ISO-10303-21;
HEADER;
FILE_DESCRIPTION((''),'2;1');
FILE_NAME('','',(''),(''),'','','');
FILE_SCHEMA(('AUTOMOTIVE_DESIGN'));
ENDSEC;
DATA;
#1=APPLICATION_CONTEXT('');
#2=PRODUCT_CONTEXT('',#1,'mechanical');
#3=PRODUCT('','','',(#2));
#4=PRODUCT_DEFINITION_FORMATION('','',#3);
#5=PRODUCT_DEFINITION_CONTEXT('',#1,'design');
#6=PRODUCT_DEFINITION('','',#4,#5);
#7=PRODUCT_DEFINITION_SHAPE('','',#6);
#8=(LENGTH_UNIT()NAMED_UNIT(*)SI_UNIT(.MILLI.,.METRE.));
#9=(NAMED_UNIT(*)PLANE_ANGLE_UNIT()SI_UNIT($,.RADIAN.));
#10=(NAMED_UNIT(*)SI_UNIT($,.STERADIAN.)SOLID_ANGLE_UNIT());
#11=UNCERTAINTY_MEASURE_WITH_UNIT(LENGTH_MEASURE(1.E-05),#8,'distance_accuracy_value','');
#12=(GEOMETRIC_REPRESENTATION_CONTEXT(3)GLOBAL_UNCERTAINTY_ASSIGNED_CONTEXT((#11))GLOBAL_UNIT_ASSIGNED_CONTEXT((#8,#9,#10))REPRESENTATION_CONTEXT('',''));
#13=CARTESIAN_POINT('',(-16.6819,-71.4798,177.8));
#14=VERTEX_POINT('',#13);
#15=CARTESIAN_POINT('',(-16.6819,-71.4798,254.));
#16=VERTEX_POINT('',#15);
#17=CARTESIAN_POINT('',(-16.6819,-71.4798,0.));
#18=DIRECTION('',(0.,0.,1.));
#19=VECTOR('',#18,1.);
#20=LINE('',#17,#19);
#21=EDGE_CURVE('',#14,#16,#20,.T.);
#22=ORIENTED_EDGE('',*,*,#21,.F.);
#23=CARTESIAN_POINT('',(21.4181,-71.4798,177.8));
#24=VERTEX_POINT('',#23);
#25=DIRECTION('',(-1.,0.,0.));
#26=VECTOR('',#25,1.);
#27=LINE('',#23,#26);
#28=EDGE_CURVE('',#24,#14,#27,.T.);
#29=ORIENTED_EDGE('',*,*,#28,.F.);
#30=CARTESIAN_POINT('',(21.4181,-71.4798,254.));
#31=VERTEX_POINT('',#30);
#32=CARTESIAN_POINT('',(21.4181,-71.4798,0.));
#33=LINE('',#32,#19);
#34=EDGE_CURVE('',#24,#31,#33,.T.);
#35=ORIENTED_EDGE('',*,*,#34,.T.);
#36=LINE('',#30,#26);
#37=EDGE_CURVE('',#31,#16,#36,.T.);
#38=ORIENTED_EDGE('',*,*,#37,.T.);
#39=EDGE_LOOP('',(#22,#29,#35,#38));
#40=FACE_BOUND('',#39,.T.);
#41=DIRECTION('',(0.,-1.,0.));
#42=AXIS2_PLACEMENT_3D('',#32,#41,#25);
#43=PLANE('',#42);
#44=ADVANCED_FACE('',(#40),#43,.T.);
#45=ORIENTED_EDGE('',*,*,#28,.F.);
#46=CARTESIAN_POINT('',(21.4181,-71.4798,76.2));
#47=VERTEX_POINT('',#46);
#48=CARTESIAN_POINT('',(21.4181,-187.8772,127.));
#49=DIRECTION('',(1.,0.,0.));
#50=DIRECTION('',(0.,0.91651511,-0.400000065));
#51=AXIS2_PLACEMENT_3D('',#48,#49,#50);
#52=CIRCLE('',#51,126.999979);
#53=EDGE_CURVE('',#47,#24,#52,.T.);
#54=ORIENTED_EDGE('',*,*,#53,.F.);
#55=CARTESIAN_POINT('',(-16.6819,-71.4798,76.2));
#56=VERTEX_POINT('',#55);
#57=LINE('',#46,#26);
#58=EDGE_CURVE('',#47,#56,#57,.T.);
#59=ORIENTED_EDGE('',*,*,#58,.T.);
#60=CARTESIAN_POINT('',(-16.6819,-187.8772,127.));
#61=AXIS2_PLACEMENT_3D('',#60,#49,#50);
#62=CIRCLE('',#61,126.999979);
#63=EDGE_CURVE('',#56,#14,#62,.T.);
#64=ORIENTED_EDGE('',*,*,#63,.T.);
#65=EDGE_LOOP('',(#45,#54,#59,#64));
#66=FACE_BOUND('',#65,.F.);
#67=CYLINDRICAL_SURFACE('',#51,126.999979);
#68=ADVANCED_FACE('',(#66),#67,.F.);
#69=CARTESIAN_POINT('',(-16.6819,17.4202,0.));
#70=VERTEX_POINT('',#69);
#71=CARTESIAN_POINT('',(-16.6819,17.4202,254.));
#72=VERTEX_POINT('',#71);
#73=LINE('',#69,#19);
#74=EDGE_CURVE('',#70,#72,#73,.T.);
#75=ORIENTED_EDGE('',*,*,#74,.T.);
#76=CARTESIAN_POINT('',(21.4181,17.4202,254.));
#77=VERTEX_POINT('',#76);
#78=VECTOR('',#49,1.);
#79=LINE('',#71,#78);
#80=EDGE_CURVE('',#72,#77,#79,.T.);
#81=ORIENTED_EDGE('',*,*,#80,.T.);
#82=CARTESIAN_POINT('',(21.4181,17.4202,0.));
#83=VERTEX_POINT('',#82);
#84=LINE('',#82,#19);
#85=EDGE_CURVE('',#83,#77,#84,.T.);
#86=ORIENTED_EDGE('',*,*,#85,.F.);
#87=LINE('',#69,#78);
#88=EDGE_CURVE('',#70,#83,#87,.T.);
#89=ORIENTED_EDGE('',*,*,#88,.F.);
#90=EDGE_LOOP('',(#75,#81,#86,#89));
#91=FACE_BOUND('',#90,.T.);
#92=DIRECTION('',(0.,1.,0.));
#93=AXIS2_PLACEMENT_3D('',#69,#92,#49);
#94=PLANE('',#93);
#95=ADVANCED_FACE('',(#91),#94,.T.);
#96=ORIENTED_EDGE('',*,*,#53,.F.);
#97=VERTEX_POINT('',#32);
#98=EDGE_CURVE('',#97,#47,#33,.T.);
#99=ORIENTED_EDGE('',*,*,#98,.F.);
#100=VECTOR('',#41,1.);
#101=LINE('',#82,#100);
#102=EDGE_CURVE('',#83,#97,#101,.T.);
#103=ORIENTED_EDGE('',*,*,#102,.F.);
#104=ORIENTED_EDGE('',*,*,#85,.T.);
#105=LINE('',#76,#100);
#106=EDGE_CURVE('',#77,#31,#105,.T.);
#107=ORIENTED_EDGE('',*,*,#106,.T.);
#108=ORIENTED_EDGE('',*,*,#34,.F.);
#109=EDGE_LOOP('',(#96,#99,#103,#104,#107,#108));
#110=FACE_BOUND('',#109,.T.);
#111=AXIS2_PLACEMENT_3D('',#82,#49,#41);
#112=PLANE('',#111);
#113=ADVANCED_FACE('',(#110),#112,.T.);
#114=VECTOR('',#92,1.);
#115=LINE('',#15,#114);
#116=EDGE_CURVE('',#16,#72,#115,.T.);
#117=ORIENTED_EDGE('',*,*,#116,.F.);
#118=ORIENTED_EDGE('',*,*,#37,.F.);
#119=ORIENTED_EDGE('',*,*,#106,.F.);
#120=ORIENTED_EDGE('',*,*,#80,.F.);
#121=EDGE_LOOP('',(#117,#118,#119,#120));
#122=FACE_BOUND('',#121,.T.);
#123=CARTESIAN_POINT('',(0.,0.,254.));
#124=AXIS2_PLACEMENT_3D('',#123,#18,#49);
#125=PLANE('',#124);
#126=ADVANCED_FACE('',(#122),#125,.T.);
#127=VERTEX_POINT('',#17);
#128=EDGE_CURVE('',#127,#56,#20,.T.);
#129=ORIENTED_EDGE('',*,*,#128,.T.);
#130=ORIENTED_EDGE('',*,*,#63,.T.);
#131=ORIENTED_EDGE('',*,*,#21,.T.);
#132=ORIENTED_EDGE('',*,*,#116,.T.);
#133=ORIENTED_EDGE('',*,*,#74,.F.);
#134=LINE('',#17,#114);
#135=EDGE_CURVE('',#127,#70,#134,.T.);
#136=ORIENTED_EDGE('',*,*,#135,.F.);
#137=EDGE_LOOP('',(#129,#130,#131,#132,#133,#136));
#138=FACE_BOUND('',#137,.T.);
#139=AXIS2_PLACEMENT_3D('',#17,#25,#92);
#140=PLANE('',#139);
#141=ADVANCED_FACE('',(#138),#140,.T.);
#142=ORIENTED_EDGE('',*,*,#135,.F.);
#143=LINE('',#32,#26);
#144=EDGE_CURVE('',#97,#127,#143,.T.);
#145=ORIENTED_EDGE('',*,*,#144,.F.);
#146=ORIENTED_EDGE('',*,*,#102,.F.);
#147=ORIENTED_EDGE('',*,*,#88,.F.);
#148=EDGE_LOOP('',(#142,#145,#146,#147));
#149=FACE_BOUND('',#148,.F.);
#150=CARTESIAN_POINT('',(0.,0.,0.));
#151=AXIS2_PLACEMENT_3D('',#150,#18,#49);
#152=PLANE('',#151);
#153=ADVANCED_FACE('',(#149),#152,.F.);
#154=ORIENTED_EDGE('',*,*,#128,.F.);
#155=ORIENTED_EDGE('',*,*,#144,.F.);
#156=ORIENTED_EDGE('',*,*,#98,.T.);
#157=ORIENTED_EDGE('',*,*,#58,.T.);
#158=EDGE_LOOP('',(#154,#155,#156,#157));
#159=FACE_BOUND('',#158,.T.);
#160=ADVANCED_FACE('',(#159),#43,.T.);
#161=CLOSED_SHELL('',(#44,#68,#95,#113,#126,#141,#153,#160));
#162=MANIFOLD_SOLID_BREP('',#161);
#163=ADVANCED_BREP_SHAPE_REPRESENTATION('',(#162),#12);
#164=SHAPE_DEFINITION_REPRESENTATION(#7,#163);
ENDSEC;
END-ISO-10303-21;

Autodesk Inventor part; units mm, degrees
ref_plane "YZ Plane" through (0, 0, 0) normal (1, 0, 0) x (0, 1, 0)
ref_plane "XZ Plane" through (0, 0, 0) normal (0, 1, 0) x (-1, 0, 0)
ref_plane "XY Plane" through (0, 0, 0) normal (0, 0, 1) x (1, 0, 0)
sketch "Sketch1" plane through (0, 0, 0) normal (0, 0, 1) x (1, 0, 0)
  line L0 (-16.6819, 17.4202) -> (21.4181, 17.4202)
  line L1 (21.4181, 17.4202) -> (21.4181, -71.4798)
  line L2 (21.4181, -71.4798) -> (-16.6819, -71.4798)
  line L3 (-16.6819, -71.4798) -> (-16.6819, 17.4202)
  point P0 (0, 0)
  dimension "d0" = 38.1
  dimension "d1" = 88.9
extrude "Extrusion1" add sketch "Sketch1" along normal blind 254
sketch "Sketch2" plane through (21.4181, -71.4798, 0) normal (1, 0, 0) x (0, 0, -1)
  line L0 (0, 0) -> (-254, 0) projected
  arc A0 (-76.2, 0) -> (-177.8, 0) centre (-127, -116.3974) ccw
  point P0 (0, 71.4798)
  dimension "d4" = 127
  dimension "d5" = 76.2
  dimension "d6" = 76.2
extrude "Extrusion2" cut sketch "Sketch2" against normal blind 76.2
equation "\"d6\" = d5"
properties part number "RailMount2x4_NERDS"
